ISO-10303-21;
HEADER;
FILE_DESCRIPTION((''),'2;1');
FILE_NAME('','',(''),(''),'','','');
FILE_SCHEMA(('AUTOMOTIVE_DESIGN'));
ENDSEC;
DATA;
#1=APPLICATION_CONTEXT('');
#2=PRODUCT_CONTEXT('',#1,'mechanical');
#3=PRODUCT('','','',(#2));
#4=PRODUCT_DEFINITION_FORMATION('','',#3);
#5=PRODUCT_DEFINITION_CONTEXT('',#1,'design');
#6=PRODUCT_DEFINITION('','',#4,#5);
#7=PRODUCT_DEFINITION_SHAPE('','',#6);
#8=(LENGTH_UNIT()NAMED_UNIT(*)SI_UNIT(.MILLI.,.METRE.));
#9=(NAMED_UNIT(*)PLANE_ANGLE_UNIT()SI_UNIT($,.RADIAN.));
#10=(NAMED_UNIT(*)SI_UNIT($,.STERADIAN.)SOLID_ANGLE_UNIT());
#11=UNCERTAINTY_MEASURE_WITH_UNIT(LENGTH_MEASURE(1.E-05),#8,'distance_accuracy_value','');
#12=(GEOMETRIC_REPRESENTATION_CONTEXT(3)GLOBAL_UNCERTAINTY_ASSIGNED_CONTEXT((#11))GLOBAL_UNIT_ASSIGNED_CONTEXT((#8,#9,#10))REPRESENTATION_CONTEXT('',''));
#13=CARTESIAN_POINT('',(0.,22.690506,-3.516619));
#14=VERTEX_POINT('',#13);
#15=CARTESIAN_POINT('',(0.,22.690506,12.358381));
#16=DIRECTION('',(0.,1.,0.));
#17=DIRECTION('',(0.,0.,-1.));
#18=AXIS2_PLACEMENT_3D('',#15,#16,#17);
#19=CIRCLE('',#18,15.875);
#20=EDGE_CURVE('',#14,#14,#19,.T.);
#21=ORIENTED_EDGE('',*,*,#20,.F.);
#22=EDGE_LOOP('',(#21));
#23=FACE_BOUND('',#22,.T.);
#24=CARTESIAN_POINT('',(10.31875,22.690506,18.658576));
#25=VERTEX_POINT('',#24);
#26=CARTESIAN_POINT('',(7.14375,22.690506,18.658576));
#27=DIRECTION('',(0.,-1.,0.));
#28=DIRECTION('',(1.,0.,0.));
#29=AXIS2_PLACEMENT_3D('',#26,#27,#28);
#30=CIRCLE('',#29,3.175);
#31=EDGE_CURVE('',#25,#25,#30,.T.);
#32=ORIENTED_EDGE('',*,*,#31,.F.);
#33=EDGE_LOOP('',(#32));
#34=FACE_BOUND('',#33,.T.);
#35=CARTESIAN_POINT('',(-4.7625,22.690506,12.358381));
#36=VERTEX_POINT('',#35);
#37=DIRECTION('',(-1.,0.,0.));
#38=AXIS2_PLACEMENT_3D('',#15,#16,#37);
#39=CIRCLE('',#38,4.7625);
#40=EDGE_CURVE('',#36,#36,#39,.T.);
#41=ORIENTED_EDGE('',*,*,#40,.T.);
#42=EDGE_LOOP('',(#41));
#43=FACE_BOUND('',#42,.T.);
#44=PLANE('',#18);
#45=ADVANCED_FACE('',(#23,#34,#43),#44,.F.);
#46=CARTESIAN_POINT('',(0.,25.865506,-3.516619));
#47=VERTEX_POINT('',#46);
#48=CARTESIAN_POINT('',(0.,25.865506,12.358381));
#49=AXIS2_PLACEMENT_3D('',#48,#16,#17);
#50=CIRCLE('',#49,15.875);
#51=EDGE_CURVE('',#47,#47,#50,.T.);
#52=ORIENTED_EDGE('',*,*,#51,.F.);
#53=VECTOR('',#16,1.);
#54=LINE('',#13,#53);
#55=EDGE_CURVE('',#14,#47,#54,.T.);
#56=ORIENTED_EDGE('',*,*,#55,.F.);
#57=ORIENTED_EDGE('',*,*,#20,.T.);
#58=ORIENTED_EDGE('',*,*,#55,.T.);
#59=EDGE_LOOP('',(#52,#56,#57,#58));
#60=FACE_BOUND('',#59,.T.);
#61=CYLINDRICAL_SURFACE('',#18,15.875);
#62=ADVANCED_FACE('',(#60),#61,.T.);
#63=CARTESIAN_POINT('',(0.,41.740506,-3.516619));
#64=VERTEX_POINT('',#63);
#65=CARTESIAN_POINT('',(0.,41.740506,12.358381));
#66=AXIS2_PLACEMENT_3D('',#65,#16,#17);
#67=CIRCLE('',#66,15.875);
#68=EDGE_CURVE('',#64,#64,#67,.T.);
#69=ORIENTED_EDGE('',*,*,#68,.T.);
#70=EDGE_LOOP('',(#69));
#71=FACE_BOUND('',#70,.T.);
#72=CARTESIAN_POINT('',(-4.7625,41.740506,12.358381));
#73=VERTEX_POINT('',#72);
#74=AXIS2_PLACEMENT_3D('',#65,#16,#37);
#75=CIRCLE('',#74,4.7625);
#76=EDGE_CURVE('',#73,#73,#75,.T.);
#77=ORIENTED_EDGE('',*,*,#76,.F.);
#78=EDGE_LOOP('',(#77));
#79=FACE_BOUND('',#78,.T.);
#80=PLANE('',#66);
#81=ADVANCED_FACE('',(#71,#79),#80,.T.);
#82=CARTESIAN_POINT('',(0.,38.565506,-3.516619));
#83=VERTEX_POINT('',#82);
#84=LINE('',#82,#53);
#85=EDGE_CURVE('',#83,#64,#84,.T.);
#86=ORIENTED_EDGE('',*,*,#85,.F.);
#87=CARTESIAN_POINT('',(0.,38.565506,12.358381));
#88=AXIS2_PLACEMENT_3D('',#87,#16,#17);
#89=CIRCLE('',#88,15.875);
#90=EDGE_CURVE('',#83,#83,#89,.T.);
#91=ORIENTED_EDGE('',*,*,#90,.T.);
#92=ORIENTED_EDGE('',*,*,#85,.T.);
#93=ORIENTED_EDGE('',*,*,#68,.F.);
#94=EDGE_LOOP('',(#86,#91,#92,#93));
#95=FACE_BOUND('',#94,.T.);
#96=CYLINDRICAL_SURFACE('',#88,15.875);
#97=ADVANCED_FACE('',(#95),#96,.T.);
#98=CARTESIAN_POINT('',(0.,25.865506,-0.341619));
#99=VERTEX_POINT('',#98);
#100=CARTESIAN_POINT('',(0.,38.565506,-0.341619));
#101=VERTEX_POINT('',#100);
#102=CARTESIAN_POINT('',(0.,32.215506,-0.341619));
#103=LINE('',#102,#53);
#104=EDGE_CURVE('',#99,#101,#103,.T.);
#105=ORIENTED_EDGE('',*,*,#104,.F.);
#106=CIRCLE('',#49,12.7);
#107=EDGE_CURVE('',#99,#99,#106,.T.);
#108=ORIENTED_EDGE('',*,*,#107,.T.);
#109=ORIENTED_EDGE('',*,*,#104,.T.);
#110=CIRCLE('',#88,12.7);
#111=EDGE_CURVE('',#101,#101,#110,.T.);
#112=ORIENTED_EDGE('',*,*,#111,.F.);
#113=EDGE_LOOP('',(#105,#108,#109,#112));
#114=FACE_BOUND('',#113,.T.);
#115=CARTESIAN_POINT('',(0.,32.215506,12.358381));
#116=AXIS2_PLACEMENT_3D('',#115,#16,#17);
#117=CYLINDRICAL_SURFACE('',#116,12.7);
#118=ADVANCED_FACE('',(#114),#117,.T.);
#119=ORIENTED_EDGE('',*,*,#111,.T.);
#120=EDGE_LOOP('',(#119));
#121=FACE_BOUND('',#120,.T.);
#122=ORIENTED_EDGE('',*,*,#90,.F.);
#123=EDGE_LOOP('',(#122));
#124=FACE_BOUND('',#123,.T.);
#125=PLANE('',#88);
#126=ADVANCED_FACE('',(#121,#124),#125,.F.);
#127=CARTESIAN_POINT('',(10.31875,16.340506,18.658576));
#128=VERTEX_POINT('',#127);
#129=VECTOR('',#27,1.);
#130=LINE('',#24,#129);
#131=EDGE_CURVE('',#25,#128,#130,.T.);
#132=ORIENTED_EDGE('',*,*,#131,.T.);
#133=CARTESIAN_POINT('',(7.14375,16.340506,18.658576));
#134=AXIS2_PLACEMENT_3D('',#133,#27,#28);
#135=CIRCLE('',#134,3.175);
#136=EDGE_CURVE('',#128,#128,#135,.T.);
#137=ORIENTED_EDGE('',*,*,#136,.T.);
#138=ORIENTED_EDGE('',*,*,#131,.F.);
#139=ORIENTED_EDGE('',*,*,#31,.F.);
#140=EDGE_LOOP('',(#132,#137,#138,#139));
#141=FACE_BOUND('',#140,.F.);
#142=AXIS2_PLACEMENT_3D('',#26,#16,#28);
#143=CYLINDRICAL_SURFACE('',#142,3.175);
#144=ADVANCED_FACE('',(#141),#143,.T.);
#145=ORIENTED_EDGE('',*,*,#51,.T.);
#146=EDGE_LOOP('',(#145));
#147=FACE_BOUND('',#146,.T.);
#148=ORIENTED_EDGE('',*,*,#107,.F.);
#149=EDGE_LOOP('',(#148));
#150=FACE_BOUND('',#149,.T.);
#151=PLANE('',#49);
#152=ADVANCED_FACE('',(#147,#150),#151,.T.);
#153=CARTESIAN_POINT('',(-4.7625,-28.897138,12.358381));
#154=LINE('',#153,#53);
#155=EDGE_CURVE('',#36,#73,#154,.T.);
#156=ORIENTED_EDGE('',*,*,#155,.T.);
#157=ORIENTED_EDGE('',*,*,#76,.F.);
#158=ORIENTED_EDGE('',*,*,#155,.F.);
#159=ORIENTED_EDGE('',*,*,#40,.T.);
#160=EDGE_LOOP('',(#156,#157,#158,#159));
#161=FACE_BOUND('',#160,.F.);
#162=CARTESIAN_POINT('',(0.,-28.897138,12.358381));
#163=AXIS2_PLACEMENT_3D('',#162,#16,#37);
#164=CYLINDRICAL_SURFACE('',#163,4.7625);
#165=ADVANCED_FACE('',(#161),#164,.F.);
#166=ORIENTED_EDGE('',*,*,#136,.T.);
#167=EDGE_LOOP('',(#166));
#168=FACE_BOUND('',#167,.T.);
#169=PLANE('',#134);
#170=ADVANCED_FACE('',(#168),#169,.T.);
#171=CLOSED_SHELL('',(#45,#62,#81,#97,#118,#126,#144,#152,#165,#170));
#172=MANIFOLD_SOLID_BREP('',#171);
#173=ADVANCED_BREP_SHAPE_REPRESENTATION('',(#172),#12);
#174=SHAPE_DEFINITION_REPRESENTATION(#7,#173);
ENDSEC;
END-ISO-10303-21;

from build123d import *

# Parameters (mm, degrees)
F0_W     = 12.7
F0_H     = 12.7
F2_R     = 3.175
F3_DEPTH = 6.35
F4_D     = 9.525


with BuildPart() as f1:
    # F0 (on Right) → F1 (revolve)
    with BuildSketch(Plane.YZ):
        with Locations((32.215506, 6.008381)):
            Rectangle(F0_W, F0_H)
        Polygon((41.740506, 12.358381), (38.565506, 12.358381), (38.565506, -0.341619), (38.565506, -3.516619), (41.740506, -3.516619), align=None)
        Polygon((25.865506, -0.341619), (25.865506, 12.358381), (22.690506, 12.358381), (22.690506, -3.516619), (25.865506, -3.516619), align=None)
    revolve(axis=Axis((0, 32.215506, 12.358381), (0, 1, 0)))

    # F2 (on face) → F3 (join)
    with BuildSketch(Plane.XZ.offset(-22.690506)):
        with Locations((7.14375, 18.658576)):
            Circle(F2_R)
    extrude(amount=F3_DEPTH)

    # F4 (through all)
    with Locations(Plane.XZ.offset(-22.690506)):
        with Locations((0, 12.358381)):
            Hole(F4_D / 2)


solid = f1.part
